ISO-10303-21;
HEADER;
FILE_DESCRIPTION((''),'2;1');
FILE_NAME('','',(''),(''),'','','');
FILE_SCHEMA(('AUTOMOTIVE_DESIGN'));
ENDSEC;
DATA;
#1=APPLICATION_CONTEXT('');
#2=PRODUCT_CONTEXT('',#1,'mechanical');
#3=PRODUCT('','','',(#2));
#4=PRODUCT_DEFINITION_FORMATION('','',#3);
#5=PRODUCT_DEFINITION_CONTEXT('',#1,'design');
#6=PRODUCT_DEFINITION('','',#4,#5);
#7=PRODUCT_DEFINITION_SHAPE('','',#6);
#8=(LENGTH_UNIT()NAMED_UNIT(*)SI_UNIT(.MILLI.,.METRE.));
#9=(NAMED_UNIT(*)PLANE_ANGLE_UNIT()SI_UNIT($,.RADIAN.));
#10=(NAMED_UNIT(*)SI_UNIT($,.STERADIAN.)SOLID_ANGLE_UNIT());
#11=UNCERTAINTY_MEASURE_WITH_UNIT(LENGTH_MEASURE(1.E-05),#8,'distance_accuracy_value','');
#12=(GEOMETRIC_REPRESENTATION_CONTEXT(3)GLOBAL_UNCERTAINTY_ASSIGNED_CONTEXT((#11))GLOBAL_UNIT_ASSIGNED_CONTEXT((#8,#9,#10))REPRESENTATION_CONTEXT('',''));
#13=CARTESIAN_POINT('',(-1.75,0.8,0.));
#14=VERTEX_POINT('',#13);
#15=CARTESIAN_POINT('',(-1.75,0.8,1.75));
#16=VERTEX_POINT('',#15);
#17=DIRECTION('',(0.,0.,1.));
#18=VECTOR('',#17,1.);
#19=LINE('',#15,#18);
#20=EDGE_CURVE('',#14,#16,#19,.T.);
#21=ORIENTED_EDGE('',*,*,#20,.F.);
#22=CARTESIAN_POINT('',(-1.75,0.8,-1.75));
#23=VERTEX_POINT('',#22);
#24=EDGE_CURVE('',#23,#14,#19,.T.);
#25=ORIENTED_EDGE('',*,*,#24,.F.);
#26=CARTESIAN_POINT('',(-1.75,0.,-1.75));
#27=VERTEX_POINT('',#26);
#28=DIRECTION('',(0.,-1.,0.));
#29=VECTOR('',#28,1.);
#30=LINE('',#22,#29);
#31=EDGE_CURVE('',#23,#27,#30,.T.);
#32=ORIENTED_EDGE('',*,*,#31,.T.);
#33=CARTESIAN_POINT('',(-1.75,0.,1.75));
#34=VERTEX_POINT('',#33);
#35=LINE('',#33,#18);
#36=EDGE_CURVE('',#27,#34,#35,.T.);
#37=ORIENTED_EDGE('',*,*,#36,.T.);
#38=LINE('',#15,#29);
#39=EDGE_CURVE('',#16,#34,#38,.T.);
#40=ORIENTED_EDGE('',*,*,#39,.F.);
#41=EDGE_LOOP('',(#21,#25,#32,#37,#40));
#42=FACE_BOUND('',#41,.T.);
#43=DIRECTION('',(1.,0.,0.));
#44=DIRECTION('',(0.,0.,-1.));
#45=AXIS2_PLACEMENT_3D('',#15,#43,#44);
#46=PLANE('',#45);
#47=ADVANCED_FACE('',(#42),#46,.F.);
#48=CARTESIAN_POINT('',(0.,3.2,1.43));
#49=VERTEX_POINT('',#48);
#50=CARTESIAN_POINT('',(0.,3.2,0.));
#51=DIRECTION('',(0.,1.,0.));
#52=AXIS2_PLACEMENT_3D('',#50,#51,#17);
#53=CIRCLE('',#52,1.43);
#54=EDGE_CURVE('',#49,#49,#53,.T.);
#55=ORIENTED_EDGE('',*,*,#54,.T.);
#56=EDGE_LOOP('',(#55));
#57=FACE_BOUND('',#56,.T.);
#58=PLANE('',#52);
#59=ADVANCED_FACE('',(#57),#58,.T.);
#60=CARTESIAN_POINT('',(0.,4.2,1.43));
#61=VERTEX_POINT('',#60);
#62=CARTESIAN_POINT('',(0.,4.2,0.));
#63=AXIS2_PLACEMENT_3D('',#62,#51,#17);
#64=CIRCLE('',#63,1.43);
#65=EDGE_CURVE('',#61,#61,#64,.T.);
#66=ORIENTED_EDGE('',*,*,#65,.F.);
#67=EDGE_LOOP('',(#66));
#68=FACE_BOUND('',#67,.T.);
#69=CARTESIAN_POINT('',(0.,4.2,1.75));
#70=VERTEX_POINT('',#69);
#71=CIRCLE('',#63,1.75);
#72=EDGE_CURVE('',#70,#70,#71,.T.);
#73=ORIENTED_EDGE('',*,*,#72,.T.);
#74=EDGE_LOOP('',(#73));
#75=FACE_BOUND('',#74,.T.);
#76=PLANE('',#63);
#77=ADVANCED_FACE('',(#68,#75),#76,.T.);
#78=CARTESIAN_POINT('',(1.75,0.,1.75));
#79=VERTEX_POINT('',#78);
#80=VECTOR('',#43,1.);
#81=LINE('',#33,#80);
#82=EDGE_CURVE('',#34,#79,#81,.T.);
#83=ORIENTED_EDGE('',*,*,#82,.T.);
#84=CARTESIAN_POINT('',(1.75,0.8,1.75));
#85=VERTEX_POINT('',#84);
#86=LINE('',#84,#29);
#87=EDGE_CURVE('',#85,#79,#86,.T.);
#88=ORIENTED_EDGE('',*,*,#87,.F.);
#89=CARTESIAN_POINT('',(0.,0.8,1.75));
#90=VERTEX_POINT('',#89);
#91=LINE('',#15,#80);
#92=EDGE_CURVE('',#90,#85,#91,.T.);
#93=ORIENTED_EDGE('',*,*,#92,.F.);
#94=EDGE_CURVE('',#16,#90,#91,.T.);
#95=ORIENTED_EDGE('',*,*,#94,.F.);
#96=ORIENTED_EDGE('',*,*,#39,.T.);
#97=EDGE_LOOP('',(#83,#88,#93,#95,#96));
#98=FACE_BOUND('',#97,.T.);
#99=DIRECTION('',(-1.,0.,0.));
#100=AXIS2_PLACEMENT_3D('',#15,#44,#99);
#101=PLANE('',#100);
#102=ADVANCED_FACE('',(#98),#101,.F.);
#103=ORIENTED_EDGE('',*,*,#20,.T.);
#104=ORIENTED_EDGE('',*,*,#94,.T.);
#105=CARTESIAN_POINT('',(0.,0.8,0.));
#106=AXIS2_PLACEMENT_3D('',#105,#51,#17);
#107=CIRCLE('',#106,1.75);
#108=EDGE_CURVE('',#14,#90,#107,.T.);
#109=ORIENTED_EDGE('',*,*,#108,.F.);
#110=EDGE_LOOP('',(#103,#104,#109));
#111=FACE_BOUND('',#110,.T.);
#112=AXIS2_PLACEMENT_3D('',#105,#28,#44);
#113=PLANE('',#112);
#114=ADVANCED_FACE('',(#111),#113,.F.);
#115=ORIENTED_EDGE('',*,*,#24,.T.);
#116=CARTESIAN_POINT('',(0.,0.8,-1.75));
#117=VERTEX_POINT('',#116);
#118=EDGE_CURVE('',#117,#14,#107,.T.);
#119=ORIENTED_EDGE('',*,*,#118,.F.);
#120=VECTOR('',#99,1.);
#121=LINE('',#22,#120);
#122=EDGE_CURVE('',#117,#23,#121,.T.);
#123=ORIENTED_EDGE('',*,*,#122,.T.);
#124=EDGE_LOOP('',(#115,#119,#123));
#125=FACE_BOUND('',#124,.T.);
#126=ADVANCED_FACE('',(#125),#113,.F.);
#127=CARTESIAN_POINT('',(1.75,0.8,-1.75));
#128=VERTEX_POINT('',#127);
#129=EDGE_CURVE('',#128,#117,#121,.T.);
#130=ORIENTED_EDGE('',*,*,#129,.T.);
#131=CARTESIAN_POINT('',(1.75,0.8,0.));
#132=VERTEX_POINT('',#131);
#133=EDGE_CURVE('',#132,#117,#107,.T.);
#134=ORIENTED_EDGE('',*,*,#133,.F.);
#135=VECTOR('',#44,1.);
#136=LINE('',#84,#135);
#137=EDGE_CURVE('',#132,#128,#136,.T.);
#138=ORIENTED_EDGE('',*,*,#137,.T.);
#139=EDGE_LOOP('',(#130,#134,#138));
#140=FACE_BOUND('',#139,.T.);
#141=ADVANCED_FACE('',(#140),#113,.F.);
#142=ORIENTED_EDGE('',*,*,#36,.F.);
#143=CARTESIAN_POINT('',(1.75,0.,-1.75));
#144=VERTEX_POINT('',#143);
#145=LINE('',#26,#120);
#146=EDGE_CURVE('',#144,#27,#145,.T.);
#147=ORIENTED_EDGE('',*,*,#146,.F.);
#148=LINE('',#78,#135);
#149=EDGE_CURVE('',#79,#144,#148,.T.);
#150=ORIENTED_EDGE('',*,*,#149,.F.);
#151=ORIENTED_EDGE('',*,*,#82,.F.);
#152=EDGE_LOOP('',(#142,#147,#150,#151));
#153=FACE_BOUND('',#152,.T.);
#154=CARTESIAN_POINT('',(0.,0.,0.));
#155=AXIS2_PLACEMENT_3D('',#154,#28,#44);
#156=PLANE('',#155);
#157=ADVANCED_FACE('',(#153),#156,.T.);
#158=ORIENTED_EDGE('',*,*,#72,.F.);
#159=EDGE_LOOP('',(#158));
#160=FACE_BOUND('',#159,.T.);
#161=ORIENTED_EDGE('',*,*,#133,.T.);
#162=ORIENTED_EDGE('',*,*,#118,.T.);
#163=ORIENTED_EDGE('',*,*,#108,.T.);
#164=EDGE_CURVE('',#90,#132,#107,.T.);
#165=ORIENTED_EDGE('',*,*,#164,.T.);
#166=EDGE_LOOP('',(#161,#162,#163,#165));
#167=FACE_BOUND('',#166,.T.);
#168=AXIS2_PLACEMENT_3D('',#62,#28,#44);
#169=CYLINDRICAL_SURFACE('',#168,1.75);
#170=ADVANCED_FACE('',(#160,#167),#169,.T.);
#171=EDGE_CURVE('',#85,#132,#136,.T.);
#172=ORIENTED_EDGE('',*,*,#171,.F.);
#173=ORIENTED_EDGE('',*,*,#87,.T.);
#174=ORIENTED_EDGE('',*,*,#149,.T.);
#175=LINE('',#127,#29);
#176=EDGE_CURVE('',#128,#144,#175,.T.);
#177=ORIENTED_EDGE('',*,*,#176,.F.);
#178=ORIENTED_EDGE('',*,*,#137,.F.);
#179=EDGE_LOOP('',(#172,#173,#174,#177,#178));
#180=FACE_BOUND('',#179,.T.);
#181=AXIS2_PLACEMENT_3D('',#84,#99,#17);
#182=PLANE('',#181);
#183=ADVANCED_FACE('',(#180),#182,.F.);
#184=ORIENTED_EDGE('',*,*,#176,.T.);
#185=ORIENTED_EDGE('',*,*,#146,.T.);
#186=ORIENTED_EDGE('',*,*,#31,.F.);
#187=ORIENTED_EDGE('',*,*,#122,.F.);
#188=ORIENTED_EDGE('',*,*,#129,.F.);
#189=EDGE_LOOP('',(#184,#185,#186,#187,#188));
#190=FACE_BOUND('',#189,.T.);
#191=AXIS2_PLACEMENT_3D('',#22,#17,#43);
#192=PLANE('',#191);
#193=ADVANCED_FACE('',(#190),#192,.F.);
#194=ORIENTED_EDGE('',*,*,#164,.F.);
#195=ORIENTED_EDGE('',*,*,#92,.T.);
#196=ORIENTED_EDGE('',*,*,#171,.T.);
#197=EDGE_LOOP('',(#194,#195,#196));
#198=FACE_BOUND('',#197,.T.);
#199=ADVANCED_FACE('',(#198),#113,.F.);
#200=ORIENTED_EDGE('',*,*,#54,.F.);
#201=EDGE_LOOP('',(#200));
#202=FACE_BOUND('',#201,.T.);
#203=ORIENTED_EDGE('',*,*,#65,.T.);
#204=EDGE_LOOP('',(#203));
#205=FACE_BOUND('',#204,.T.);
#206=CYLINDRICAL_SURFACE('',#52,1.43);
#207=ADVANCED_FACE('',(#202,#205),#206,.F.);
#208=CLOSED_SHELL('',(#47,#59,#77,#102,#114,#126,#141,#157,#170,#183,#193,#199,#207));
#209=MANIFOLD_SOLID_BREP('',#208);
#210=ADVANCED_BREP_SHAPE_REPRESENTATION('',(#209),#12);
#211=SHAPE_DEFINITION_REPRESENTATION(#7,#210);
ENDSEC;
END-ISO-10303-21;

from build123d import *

# Parameters (mm, degrees)
SKETCH1_W           = 3.5
SKETCH1_H           = 3.5
BOSS_EXTRUDE1_DEPTH = 0.8
SKETCH2_R           = 1.75
BOSS_EXTRUDE2_DEPTH = 3.4
SKETCH4_R           = 1.43
CUT_EXTRUDE1_DEPTH  = 1


with BuildPart() as part:
    # Sketch1 → Boss-Extrude1 (new body)
    with BuildSketch(Plane(origin=(0, 0, 0), x_dir=(1, 0, 0), z_dir=(0, 1, 0))):
        Rectangle(SKETCH1_W, SKETCH1_H)
    extrude(amount=BOSS_EXTRUDE1_DEPTH)

    # Sketch2 → Boss-Extrude2 (add)
    with BuildSketch(Plane(origin=(0, 0.8, 0), x_dir=(1, 0, 0), z_dir=(0, 1, 0))):
        Circle(SKETCH2_R)
    extrude(amount=BOSS_EXTRUDE2_DEPTH)

    # Sketch4 → Cut-Extrude1 (cut)
    with BuildSketch(Plane(origin=(0, 4.2, 0), x_dir=(1, 0, 0), z_dir=(0, 1, 0))):
        Circle(SKETCH4_R)
    extrude(amount=-CUT_EXTRUDE1_DEPTH, mode=Mode.SUBTRACT)


solid = part.part
